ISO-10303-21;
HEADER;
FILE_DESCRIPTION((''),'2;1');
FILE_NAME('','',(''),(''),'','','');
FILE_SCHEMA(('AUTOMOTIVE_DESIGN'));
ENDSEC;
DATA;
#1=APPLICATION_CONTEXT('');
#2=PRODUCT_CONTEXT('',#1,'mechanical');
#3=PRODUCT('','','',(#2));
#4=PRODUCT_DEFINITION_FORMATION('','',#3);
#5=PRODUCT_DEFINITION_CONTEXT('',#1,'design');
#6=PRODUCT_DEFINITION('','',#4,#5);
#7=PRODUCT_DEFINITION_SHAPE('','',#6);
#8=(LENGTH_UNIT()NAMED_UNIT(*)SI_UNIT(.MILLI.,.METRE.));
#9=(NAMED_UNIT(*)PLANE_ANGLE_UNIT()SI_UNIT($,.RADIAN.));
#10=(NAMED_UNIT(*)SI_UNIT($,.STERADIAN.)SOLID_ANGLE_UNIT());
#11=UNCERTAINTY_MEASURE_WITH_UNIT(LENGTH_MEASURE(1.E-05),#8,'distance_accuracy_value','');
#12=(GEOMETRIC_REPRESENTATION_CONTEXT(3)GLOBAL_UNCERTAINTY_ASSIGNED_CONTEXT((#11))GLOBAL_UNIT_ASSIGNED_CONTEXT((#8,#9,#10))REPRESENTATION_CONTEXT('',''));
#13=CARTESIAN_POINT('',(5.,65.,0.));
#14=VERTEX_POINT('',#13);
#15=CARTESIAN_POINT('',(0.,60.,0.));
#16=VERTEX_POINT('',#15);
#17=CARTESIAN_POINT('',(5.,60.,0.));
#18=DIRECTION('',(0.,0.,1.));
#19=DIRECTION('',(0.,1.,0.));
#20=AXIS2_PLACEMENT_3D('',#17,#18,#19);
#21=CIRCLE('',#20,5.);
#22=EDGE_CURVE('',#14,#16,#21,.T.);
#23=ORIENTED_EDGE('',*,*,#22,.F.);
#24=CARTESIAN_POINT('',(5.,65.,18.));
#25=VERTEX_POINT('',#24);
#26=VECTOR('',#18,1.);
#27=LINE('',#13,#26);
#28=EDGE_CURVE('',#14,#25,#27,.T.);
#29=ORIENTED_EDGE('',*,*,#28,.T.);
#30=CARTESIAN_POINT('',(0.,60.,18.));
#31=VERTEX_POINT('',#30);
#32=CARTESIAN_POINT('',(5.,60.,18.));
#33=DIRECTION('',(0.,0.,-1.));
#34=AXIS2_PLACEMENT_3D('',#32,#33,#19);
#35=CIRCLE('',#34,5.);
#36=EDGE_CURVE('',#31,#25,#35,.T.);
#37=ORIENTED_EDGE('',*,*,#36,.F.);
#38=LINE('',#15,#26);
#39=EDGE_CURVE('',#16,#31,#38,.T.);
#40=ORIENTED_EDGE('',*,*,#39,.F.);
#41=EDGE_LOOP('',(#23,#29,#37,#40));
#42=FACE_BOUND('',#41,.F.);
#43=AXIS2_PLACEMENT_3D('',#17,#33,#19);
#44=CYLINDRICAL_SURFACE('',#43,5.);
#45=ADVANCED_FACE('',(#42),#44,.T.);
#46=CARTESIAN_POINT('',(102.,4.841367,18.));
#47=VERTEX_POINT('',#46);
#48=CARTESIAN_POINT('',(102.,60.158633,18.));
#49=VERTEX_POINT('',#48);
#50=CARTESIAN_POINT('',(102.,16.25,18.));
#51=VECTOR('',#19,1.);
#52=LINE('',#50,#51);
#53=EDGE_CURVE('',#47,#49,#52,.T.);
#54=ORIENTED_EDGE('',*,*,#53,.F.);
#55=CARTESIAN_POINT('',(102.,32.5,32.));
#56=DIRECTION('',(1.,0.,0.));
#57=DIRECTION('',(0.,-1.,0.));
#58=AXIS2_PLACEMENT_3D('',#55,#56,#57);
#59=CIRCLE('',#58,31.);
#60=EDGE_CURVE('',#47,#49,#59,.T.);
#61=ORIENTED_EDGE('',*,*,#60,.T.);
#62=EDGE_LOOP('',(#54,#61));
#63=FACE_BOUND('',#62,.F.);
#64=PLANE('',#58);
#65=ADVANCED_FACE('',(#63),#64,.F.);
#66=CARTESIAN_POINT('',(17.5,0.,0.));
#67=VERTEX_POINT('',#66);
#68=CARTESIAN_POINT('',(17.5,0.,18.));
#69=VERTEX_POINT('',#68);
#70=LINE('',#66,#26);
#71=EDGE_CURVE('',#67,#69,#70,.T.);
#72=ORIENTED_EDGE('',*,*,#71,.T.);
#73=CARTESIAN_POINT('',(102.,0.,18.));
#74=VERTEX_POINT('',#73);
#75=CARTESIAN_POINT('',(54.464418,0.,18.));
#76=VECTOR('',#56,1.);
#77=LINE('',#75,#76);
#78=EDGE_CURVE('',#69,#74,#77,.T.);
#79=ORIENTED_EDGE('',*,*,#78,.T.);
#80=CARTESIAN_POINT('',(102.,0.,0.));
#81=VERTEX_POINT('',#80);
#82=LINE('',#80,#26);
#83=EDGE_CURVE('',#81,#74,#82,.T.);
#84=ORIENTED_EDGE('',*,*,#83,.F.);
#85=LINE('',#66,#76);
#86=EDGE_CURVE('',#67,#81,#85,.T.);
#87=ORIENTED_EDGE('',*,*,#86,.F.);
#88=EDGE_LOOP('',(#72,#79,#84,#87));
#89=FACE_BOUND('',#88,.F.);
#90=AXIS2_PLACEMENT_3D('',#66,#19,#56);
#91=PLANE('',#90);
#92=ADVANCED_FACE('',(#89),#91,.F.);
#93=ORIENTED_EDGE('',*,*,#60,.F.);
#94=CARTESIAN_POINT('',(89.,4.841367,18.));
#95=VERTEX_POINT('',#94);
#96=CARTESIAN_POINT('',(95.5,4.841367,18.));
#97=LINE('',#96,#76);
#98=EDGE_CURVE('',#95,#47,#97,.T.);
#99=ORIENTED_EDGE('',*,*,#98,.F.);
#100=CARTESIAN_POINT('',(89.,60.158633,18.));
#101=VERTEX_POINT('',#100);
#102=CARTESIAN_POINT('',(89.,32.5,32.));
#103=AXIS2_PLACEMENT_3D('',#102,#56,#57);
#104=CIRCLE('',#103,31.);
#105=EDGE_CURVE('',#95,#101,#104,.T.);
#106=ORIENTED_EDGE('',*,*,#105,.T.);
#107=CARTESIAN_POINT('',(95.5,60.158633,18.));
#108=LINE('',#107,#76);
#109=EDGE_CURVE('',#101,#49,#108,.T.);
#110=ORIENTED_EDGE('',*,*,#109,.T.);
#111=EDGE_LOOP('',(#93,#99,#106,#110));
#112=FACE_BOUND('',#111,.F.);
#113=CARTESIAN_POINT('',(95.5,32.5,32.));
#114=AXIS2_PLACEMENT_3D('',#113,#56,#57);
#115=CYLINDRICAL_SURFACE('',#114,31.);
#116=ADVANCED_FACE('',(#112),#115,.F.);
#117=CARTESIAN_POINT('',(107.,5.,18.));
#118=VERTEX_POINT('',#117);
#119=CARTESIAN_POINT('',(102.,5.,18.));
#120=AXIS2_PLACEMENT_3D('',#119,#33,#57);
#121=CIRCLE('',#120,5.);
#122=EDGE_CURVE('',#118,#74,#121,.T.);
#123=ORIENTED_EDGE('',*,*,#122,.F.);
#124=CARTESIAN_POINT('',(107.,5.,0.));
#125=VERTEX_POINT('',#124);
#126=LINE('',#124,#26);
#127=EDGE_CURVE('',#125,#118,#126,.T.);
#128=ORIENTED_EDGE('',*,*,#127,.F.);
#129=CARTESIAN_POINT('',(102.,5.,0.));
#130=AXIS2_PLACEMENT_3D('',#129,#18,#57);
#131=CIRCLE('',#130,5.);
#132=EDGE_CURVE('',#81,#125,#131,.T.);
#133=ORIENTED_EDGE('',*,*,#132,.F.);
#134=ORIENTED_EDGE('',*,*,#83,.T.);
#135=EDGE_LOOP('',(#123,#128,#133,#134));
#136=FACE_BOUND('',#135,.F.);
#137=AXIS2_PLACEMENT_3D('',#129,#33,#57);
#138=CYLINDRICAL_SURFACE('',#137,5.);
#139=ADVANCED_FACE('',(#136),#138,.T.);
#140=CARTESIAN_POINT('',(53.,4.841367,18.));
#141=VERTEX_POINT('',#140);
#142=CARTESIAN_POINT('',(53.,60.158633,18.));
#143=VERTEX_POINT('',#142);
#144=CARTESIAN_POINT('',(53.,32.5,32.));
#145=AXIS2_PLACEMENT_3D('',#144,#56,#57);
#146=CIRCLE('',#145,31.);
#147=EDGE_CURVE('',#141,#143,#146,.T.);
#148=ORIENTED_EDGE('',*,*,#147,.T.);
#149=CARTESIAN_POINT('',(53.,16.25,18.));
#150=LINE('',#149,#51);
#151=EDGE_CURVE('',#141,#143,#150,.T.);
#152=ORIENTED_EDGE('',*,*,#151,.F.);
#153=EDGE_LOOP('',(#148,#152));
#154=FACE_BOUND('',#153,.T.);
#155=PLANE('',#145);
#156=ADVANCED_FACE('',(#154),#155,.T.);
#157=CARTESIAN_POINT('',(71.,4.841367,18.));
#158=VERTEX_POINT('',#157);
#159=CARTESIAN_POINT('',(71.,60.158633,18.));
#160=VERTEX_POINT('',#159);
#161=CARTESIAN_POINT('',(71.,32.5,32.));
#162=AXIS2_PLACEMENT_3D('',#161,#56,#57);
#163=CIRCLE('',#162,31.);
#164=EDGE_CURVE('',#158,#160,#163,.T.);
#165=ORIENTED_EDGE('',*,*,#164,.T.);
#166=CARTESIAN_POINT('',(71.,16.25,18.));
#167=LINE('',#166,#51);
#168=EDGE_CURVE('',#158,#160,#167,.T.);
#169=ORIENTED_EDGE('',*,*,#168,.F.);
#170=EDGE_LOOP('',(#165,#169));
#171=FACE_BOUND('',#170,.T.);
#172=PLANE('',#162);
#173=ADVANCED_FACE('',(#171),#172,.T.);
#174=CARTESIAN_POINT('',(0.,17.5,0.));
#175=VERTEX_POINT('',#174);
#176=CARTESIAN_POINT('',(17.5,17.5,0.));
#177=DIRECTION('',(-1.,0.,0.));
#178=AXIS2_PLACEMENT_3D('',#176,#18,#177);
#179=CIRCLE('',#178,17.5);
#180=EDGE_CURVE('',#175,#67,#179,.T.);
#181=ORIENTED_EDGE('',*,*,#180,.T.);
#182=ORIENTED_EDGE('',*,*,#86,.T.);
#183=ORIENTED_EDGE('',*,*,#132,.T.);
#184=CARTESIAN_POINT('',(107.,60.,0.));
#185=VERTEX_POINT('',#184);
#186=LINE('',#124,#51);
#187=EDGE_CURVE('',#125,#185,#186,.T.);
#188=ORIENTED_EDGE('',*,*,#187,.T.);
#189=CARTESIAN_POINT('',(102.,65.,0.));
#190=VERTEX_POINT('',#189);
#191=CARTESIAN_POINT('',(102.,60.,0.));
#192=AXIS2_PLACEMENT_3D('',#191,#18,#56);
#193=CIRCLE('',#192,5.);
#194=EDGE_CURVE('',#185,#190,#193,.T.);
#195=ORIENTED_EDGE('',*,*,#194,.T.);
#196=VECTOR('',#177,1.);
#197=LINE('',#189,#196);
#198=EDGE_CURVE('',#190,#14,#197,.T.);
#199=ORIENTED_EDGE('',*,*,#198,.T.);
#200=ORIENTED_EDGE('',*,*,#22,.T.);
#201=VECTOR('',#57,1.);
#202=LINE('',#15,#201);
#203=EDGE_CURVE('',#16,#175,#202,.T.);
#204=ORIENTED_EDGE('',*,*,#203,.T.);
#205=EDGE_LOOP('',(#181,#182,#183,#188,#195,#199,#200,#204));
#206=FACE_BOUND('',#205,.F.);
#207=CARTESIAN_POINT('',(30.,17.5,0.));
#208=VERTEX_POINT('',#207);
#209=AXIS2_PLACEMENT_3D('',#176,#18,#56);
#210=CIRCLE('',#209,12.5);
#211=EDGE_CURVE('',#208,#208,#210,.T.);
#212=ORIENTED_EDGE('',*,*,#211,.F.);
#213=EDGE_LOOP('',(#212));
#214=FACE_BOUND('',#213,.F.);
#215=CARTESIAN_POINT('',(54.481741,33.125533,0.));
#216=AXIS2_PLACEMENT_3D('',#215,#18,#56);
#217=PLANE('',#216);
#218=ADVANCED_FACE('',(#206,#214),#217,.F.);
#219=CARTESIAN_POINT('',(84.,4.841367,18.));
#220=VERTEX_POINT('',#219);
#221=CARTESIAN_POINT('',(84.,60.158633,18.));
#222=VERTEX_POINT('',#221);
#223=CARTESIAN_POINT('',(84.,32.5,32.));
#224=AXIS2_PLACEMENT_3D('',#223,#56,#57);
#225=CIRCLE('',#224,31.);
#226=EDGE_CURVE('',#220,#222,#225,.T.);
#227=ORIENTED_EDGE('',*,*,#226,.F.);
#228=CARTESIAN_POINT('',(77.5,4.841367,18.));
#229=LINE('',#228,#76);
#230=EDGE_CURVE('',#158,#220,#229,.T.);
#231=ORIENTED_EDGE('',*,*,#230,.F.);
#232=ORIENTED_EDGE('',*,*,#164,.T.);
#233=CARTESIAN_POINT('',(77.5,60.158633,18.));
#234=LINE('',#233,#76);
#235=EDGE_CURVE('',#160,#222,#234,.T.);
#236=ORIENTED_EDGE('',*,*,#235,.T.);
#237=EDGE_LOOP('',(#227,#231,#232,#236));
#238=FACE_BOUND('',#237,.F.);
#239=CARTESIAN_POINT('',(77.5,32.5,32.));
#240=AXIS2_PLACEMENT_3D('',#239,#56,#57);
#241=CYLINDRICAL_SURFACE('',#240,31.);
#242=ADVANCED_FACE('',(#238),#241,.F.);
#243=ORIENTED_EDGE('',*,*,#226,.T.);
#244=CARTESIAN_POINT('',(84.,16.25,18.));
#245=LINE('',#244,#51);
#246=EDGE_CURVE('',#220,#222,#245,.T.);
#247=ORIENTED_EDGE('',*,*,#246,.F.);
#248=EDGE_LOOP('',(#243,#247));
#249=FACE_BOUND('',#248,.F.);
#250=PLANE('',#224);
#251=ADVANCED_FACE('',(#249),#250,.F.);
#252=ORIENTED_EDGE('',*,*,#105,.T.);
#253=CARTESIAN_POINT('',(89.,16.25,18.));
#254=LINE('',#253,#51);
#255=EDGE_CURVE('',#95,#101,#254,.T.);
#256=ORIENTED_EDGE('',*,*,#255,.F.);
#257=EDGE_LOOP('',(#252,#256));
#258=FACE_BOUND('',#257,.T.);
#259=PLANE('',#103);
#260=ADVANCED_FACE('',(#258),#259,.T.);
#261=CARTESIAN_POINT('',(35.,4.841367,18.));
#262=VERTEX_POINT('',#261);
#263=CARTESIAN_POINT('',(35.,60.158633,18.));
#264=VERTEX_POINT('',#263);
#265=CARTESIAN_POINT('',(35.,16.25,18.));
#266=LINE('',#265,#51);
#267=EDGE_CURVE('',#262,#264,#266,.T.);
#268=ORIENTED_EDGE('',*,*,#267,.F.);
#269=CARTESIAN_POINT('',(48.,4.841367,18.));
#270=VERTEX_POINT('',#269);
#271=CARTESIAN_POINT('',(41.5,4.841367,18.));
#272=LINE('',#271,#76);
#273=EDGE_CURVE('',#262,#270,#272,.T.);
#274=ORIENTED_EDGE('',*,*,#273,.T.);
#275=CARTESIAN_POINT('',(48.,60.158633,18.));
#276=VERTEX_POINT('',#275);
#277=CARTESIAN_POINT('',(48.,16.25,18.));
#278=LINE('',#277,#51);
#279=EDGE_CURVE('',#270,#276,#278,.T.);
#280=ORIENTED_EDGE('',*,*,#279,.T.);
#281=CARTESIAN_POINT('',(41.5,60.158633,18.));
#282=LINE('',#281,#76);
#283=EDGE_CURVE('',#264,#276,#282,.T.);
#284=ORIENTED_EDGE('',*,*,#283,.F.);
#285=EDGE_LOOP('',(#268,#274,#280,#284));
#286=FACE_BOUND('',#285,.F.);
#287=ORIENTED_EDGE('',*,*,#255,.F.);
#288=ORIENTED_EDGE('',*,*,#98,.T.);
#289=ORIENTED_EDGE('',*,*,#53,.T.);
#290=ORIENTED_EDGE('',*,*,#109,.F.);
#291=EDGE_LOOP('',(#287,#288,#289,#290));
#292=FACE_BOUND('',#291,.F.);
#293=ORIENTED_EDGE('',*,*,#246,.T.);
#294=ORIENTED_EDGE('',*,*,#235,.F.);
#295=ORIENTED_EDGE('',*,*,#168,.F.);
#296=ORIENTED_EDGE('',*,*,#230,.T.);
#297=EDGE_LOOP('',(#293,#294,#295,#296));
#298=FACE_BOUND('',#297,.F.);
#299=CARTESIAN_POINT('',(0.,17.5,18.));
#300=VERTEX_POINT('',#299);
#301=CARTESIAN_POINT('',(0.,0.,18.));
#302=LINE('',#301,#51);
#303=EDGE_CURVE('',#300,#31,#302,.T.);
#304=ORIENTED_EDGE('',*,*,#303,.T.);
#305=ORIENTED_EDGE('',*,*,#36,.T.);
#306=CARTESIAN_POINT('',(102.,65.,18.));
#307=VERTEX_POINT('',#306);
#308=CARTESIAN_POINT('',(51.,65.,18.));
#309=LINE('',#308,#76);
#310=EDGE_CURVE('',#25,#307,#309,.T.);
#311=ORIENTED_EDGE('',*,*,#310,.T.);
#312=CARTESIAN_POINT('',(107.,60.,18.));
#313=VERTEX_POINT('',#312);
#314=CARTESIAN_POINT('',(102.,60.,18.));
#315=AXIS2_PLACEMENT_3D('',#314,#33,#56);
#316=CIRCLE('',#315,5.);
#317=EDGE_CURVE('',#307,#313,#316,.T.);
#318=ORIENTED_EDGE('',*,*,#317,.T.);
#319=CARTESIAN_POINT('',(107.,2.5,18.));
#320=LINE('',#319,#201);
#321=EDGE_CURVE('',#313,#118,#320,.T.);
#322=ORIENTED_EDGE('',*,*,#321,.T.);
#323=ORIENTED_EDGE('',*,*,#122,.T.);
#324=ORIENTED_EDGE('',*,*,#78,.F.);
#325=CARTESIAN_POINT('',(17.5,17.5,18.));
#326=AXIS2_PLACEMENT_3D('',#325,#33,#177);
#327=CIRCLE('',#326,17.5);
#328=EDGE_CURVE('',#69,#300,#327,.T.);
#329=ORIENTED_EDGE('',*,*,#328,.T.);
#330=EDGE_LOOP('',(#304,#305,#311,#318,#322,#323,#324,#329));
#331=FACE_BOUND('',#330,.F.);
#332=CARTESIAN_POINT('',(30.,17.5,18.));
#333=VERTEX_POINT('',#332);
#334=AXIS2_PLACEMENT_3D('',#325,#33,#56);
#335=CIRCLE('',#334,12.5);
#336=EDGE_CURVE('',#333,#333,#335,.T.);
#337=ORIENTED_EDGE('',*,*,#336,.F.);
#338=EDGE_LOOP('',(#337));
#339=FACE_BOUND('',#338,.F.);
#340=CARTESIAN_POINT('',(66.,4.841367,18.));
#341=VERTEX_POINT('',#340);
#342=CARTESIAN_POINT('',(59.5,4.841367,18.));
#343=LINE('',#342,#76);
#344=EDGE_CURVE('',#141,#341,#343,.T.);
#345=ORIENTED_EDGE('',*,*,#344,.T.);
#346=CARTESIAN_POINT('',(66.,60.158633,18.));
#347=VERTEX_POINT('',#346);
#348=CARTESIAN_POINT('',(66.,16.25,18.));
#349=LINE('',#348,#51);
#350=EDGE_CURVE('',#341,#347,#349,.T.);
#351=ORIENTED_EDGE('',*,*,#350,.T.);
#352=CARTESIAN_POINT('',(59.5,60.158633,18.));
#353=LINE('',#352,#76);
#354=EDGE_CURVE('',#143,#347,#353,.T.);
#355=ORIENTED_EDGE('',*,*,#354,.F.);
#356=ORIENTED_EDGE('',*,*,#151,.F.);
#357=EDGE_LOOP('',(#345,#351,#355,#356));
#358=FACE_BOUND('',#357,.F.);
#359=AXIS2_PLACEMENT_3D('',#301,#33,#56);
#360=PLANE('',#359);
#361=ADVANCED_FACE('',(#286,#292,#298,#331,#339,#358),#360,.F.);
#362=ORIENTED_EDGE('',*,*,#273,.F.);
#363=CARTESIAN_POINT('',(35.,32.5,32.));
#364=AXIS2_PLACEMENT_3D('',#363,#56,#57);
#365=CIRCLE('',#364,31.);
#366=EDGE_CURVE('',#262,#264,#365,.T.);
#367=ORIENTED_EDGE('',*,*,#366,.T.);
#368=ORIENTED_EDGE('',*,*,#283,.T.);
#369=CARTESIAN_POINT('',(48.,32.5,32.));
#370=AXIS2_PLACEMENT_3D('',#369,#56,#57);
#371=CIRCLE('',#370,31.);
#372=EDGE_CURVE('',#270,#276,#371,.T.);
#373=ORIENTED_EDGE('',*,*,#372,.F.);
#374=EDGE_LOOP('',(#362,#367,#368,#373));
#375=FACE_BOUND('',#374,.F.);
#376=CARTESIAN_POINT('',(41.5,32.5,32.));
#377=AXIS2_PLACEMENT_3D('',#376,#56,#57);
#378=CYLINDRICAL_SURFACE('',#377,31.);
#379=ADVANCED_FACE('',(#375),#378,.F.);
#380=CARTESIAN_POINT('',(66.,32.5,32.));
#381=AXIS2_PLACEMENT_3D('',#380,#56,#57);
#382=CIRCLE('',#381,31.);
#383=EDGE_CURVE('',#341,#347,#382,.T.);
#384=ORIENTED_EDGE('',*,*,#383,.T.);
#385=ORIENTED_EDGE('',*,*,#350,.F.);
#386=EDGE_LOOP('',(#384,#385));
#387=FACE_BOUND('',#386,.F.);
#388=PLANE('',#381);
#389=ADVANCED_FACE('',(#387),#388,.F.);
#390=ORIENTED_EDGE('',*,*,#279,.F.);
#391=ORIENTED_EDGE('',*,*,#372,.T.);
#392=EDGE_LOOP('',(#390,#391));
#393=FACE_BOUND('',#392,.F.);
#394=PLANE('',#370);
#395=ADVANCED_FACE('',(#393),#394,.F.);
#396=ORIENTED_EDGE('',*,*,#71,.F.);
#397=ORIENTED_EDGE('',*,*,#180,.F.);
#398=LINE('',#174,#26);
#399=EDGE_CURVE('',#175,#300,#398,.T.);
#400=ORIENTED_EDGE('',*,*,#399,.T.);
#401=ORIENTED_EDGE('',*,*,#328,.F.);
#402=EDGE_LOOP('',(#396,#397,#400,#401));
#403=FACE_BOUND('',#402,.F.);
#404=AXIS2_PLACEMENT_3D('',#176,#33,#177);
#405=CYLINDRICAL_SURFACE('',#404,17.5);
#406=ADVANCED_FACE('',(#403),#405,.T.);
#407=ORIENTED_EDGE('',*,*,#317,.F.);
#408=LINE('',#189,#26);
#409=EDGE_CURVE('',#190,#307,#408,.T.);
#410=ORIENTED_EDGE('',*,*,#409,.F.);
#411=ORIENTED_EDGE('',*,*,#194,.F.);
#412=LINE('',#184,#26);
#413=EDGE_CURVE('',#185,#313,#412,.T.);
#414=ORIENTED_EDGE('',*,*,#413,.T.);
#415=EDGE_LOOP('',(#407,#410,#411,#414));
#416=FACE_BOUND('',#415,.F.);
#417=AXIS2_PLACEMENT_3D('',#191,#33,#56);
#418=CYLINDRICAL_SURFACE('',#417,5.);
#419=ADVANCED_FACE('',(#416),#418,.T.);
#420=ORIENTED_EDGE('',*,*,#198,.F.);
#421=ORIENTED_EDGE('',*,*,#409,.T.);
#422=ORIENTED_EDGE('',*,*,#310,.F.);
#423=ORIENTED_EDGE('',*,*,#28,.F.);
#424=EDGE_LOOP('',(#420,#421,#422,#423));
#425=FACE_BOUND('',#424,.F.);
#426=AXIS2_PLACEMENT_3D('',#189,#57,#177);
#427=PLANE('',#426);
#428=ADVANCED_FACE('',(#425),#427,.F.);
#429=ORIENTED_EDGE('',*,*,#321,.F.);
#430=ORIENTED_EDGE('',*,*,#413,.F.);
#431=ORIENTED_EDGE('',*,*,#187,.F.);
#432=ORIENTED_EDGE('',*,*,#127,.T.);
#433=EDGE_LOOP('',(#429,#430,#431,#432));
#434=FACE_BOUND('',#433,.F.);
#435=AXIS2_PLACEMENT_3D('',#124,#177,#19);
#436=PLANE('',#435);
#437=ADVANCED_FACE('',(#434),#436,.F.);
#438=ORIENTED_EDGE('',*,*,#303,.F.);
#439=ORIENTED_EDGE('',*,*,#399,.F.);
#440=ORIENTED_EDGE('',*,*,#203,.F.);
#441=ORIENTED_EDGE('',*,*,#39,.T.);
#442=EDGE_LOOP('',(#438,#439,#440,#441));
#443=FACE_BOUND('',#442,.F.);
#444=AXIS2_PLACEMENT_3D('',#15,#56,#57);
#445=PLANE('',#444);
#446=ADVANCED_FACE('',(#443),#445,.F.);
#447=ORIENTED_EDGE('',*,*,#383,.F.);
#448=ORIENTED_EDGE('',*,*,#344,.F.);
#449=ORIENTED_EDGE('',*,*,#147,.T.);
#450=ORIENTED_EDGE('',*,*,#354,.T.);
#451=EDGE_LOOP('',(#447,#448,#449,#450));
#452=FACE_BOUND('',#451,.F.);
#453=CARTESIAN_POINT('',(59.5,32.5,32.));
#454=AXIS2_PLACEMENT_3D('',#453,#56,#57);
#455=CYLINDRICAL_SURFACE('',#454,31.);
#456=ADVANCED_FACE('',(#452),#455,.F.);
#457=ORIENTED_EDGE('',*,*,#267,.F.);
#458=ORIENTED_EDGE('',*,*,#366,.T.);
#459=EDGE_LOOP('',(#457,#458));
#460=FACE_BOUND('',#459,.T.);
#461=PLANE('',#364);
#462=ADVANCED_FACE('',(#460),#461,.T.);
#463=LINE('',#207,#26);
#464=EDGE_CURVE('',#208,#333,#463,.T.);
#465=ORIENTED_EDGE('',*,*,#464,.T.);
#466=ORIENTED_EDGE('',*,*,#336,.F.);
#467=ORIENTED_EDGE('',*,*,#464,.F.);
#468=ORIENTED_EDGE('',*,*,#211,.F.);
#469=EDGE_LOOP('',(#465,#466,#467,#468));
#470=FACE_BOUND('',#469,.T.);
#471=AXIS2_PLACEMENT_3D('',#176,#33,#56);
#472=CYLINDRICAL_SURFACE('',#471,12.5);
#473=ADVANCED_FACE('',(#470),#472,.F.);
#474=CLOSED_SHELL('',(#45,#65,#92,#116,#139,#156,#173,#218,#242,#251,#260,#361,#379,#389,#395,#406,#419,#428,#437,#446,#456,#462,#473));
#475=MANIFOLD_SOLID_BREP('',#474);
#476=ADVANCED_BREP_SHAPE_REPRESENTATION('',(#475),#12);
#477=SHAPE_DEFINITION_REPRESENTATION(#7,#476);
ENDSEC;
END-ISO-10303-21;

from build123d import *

# Parameters (mm, degrees)
F0_R     = 12.5
F1_DEPTH = 32
F2_W     = 13
F2_H     = 31
F4_W     = 108.9288368821
F4_H     = 18.1096374691
F5_DEPTH = 65.001


with BuildPart() as f1:
    # F0 (on Top) → F1 (new body)
    with BuildSketch(Plane.XY):
        with BuildLine():
            ThreePointArc((0, 17.5), (5.1256313292, 5.1256313292), (17.5, 0))
            Line((17.5, 0), (102, 0))
            ThreePointArc((102, 0), (105.5355339059, 1.4644660941), (107, 5))
            Line((107, 5), (107, 60))
            ThreePointArc((107, 60), (105.5355339059, 63.5355339059), (102, 65))
            Line((102, 65), (5, 65))
            ThreePointArc((5, 65), (1.4644660941, 63.5355339059), (0, 60))
            Line((0, 60), (0, 17.5))
        make_face()
        with Locations((17.5, 17.5)):
            Circle(F0_R, mode=Mode.SUBTRACT)
    extrude(amount=F1_DEPTH)

    # F2 (on face) → F3 (revolve, cut)
    with BuildSketch(Plane.XY.offset(32)):
        with Locations((41.5, 17)):
            Rectangle(F2_W, F2_H)
        with Locations((59.5, 17)):
            Rectangle(F2_W, F2_H)
        with Locations((77.5, 17)):
            Rectangle(F2_W, F2_H)
        with Locations((95.5, 17)):
            Rectangle(F2_W, F2_H)
    revolve(axis=Axis((41.5, 32.5, 32), (1, 0, 0)), mode=Mode.SUBTRACT)

    # F4 (on face) → F5 (cut, through all)
    with BuildSketch(Plane.XZ):
        with Locations((54.4644184411, 27.0548187345)):
            Rectangle(F4_W, F4_H)
    extrude(amount=-F5_DEPTH, mode=Mode.SUBTRACT)


solid = f1.part
